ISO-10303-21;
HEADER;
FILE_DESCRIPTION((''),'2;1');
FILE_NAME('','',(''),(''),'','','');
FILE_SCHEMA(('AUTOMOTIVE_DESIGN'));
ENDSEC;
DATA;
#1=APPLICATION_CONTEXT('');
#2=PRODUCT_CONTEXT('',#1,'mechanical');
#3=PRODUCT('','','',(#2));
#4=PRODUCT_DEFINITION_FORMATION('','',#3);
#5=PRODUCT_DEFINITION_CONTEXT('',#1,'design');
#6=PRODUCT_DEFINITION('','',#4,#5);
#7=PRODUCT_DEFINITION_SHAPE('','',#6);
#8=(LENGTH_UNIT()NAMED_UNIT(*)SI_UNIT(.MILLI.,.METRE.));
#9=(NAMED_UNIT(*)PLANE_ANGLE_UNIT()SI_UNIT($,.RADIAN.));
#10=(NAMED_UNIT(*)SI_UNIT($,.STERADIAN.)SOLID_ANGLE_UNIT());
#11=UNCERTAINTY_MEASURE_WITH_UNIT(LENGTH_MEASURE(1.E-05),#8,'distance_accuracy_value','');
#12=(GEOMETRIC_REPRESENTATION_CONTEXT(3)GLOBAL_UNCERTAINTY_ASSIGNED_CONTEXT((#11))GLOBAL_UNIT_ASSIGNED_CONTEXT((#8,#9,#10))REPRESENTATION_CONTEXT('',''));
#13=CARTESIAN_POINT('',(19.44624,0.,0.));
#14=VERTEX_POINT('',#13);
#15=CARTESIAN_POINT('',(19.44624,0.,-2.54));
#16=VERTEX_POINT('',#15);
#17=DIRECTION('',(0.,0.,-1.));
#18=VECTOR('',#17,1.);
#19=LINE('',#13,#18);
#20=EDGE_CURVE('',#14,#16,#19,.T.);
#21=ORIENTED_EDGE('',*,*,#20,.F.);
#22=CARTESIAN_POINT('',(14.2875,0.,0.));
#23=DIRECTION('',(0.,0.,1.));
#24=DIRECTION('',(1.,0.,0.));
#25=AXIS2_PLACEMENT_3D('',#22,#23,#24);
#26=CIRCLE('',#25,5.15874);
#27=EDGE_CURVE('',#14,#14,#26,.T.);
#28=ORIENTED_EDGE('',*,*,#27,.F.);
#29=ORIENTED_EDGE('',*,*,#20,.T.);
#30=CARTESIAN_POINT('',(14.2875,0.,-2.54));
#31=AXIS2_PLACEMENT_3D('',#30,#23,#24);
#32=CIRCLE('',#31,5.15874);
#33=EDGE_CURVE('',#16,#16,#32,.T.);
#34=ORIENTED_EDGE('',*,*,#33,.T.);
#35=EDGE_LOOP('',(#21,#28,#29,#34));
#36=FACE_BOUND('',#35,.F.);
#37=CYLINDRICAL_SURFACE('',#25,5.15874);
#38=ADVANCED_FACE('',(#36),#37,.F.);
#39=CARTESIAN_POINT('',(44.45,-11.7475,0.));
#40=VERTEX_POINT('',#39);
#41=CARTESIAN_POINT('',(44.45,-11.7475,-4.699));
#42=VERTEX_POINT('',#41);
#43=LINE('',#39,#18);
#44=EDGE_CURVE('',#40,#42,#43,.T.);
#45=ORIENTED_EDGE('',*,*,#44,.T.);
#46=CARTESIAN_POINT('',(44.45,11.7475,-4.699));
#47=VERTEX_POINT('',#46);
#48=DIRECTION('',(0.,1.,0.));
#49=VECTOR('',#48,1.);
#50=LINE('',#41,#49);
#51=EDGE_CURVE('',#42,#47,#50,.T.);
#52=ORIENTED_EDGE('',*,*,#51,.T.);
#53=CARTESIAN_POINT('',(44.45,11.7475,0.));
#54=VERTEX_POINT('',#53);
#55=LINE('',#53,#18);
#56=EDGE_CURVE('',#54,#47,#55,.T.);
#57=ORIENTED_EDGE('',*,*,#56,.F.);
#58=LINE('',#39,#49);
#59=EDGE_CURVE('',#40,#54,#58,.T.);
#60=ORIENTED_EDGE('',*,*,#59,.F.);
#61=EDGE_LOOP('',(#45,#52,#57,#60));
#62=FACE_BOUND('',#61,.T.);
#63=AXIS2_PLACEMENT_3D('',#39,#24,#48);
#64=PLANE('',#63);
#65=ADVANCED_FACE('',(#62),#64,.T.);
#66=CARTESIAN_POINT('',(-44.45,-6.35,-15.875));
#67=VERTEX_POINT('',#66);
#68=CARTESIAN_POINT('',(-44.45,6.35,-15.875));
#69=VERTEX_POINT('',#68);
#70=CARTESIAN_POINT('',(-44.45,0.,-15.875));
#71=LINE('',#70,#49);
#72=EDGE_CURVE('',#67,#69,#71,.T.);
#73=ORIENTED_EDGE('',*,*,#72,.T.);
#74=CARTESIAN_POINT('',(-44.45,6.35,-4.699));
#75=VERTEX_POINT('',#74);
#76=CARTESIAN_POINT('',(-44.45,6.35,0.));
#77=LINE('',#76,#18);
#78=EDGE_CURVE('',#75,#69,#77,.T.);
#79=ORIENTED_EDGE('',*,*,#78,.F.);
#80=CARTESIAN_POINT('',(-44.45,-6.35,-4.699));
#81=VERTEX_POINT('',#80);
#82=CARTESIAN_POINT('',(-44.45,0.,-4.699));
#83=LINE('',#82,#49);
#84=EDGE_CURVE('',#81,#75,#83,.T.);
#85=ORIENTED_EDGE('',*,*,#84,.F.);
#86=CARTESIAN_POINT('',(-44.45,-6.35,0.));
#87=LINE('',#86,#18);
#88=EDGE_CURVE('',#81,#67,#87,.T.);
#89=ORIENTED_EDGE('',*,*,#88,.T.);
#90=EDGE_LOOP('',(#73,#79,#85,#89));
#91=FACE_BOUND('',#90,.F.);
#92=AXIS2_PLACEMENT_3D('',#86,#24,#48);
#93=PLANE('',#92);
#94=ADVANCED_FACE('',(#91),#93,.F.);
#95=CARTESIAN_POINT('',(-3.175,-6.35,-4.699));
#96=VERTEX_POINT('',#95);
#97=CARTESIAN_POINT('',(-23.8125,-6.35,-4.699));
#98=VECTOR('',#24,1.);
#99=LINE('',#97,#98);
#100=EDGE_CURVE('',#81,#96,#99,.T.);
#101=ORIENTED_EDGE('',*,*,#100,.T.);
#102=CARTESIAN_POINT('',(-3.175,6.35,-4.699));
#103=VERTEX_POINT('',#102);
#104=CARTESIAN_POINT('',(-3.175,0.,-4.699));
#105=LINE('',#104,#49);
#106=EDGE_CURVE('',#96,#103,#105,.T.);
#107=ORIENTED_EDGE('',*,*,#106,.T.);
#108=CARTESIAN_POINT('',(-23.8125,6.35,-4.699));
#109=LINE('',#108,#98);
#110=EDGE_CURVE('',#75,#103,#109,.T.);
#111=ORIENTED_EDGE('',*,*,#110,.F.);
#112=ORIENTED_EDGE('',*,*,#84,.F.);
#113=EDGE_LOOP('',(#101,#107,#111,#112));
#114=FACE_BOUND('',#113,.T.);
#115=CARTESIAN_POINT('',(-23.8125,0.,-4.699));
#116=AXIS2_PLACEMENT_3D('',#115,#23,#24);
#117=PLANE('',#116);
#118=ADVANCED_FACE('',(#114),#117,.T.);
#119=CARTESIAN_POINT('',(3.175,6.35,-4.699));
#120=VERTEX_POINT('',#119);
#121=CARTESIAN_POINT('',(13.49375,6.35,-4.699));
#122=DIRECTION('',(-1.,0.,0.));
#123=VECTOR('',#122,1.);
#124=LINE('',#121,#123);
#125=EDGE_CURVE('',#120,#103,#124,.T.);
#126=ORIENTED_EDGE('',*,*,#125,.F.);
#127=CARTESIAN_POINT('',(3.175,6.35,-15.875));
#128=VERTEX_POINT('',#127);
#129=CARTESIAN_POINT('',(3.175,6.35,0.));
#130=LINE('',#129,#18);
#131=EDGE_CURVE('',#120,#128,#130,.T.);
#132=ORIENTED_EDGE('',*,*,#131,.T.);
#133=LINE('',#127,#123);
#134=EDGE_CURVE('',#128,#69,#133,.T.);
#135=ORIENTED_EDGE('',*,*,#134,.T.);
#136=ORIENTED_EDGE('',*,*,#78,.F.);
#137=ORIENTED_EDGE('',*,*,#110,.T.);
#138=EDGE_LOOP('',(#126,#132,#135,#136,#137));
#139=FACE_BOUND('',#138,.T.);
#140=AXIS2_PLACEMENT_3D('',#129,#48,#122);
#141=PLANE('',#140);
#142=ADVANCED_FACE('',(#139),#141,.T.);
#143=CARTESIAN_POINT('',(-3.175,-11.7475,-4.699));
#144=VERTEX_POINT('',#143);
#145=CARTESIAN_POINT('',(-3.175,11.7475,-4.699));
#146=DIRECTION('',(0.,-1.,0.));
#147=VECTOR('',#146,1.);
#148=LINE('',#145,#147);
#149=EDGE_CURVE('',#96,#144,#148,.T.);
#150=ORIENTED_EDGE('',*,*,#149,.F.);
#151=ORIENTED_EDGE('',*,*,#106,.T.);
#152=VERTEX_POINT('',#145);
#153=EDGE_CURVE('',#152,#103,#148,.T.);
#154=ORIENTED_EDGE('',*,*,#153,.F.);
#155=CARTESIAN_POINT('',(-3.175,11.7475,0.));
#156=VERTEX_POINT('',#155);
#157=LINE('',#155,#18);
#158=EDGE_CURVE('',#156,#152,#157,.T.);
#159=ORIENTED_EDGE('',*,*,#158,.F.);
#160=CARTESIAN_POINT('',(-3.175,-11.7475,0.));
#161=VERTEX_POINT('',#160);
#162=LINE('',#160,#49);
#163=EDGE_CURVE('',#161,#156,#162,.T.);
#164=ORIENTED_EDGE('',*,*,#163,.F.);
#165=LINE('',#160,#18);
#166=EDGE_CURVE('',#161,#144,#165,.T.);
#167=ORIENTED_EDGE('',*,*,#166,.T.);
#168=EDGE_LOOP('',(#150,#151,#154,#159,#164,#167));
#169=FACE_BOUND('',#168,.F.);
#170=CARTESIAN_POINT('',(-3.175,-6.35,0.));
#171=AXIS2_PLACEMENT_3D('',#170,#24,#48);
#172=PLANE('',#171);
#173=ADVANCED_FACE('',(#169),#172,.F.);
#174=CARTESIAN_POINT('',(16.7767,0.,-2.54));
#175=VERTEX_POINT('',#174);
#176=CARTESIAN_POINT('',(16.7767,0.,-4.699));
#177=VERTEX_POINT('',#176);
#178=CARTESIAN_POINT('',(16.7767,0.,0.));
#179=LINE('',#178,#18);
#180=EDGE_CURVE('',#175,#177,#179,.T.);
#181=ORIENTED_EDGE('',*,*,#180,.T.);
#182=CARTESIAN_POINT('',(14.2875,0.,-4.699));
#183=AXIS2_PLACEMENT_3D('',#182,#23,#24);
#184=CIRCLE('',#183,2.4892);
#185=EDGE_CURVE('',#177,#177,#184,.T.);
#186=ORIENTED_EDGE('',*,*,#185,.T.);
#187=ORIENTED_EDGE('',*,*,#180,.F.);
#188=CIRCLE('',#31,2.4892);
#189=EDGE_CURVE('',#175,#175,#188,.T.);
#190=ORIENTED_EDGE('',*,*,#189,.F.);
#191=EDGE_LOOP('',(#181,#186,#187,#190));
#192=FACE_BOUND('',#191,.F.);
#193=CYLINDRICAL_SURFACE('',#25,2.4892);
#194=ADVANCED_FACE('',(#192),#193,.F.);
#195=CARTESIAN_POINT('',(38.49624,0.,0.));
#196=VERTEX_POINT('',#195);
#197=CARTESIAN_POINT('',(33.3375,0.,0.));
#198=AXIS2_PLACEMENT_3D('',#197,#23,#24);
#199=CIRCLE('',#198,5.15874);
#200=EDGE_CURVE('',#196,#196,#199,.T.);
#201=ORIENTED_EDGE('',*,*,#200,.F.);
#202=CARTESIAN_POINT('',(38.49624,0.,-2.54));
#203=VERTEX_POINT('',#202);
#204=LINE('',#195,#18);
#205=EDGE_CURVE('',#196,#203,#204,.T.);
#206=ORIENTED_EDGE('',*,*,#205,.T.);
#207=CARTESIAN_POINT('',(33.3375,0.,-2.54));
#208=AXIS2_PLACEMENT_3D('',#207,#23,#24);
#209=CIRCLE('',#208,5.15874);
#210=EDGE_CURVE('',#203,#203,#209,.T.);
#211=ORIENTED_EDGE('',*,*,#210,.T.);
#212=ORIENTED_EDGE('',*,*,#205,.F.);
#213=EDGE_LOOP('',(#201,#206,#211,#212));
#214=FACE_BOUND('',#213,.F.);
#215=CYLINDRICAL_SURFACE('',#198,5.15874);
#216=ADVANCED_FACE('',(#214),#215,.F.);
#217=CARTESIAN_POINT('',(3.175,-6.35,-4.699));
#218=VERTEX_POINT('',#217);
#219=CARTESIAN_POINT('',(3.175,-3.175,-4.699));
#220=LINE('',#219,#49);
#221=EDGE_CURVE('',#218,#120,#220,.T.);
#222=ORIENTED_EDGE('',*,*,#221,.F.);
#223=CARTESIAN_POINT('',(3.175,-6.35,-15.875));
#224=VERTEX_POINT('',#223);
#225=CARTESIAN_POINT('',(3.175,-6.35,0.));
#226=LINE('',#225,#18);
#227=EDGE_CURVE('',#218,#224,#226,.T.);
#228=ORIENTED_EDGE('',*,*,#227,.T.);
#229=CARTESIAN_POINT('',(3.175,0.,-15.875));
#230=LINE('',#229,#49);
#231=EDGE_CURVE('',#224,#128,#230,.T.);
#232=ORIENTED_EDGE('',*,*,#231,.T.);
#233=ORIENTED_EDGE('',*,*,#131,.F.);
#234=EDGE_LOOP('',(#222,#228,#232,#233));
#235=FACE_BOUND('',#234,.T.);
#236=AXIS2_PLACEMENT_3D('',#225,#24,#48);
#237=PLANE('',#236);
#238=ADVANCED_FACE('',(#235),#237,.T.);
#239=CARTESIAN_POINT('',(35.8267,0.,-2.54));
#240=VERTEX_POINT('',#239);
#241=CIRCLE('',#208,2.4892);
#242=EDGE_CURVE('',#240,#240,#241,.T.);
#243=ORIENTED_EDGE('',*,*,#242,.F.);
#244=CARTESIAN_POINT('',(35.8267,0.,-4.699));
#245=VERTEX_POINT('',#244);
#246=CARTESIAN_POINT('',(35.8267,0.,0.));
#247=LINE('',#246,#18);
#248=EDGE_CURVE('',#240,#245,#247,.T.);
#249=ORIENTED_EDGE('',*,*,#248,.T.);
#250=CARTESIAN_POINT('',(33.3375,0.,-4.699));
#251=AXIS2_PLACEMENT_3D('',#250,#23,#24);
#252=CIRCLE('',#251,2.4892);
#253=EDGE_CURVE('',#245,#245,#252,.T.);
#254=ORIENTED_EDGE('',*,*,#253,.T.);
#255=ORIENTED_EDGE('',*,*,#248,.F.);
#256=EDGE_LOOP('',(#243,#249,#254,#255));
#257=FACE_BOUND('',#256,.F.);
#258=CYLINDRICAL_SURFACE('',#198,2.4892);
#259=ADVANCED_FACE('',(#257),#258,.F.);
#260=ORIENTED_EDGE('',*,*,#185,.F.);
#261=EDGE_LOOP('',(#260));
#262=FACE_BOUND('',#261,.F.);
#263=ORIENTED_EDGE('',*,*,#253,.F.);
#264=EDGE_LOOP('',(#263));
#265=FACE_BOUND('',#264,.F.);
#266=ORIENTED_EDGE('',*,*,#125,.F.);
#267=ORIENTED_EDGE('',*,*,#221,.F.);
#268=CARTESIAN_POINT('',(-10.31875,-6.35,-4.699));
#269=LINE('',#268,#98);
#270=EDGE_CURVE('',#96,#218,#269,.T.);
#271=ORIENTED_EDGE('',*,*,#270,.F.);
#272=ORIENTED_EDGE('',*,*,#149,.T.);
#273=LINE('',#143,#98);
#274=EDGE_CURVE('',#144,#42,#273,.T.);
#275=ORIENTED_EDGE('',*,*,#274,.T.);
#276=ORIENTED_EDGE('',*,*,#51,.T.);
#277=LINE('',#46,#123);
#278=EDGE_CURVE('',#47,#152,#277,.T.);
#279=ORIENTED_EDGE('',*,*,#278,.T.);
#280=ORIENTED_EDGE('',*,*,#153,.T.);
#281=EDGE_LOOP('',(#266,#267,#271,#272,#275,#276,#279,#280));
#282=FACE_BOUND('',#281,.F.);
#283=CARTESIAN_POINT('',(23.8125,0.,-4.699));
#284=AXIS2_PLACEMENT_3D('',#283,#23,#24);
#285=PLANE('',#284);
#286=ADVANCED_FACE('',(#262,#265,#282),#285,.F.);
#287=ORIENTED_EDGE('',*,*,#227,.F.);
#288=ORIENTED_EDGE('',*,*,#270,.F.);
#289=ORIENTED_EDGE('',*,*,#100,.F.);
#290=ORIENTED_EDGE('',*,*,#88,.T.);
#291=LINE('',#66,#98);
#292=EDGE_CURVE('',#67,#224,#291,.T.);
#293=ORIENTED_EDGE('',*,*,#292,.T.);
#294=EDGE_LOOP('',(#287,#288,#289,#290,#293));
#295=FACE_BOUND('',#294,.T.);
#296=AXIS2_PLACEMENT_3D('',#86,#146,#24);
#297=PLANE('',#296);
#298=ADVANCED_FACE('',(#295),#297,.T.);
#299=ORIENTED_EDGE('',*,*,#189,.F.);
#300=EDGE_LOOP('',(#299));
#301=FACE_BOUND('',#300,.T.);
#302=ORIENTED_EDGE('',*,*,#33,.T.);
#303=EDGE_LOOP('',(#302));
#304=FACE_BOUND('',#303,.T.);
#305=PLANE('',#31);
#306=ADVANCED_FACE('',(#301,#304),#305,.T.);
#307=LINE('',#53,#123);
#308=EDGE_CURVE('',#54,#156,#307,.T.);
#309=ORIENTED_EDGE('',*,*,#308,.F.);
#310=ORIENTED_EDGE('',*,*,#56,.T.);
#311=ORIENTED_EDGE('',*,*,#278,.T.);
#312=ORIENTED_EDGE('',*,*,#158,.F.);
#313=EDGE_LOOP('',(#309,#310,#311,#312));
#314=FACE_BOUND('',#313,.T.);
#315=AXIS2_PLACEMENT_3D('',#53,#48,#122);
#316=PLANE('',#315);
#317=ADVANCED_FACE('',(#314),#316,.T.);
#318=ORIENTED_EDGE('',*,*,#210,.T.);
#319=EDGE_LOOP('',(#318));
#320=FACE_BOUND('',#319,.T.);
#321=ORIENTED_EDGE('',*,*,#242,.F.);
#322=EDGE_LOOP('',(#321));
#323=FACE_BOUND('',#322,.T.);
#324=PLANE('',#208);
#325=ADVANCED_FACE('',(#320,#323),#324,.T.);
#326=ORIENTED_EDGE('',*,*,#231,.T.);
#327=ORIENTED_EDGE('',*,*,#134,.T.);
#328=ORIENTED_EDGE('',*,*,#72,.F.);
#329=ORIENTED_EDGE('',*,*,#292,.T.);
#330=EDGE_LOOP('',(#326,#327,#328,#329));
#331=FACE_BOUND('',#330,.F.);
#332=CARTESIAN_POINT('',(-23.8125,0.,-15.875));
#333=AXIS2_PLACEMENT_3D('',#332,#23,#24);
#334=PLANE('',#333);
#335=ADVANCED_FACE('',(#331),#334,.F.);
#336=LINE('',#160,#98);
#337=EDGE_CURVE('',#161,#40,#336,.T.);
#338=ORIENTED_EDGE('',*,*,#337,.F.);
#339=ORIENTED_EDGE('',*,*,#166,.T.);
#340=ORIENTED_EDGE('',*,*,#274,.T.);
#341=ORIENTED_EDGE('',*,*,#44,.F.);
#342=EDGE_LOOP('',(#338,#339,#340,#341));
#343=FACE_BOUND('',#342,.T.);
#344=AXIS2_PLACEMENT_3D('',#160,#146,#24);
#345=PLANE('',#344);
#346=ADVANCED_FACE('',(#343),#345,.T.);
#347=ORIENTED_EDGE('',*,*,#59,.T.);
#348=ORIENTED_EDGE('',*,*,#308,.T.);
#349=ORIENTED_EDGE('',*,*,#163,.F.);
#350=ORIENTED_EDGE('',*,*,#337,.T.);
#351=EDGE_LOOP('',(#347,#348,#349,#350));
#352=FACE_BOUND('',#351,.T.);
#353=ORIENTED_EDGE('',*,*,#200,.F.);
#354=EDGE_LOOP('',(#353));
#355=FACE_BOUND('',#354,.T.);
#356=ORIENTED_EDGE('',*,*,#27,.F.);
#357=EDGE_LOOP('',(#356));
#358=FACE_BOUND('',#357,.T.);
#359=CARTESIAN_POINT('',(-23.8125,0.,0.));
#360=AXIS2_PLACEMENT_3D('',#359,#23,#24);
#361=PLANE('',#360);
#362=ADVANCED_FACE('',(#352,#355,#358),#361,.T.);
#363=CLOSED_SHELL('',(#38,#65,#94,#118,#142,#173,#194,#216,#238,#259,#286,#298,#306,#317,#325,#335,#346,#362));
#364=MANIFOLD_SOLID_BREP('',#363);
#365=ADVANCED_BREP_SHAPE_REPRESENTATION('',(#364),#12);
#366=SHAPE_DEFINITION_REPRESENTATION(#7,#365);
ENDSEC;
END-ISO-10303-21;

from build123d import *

# Parameters (mm, degrees)
F0_R     = 5.15874
F0_R_2   = 2.4892
F0_W     = 6.35
F0_H     = 5.3975
F0_H_2   = 12.7
F1_DEPTH = 4.699
F0_W_2   = 41.275
F2_DEPTH = 15.875
F3_DEPTH = 2.54
F4_DEPTH = 4.699


with BuildPart() as f1:
    # F0 (on Top) → F1 (new body)
    with BuildSketch(Plane.XY):
        Polygon((44.45, 11.7475), (3.175, 11.7475), (3.175, 6.35), (3.175, -6.35), (3.175, -11.7475), (44.45, -11.7475), align=None)
        with Locations((14.2875, 0)):
            Circle(F0_R, mode=Mode.SUBTRACT)
        with Locations((33.3375, 0)):
            Circle(F0_R, mode=Mode.SUBTRACT)
        with Locations((14.2875, 0)):
            Circle(F0_R)
        with Locations((14.2875, 0)):
            Circle(F0_R_2, mode=Mode.SUBTRACT)
        with Locations((33.3375, 0)):
            Circle(F0_R)
        with Locations((33.3375, 0)):
            Circle(F0_R_2, mode=Mode.SUBTRACT)
        with Locations((0, 9.04875)):
            Rectangle(F0_W, F0_H)
        Rectangle(F0_W, F0_H_2)
        with Locations((0, -9.04875)):
            Rectangle(F0_W, F0_H)
    extrude(amount=-F1_DEPTH)

    # F0 (on Top) → F2 (join)
    with BuildSketch(Plane.XY):
        with Locations((-23.8125, 0)):
            Rectangle(F0_W_2, F0_H_2)
        Rectangle(F0_W, F0_H_2)
    extrude(amount=-F2_DEPTH)

    # F0 (on Top) → F3 (cut)
    with BuildSketch(Plane.XY):
        with Locations((14.2875, 0)):
            Circle(F0_R)
        with Locations((14.2875, 0)):
            Circle(F0_R_2, mode=Mode.SUBTRACT)
        with Locations((33.3375, 0)):
            Circle(F0_R)
        with Locations((33.3375, 0)):
            Circle(F0_R_2, mode=Mode.SUBTRACT)
    extrude(amount=-F3_DEPTH, mode=Mode.SUBTRACT)

    # F0 (on Top) → F4 (cut)
    with BuildSketch(Plane.XY):
        with Locations((-23.8125, 0)):
            Rectangle(F0_W_2, F0_H_2)
    extrude(amount=-F4_DEPTH, mode=Mode.SUBTRACT)


solid = f1.part
